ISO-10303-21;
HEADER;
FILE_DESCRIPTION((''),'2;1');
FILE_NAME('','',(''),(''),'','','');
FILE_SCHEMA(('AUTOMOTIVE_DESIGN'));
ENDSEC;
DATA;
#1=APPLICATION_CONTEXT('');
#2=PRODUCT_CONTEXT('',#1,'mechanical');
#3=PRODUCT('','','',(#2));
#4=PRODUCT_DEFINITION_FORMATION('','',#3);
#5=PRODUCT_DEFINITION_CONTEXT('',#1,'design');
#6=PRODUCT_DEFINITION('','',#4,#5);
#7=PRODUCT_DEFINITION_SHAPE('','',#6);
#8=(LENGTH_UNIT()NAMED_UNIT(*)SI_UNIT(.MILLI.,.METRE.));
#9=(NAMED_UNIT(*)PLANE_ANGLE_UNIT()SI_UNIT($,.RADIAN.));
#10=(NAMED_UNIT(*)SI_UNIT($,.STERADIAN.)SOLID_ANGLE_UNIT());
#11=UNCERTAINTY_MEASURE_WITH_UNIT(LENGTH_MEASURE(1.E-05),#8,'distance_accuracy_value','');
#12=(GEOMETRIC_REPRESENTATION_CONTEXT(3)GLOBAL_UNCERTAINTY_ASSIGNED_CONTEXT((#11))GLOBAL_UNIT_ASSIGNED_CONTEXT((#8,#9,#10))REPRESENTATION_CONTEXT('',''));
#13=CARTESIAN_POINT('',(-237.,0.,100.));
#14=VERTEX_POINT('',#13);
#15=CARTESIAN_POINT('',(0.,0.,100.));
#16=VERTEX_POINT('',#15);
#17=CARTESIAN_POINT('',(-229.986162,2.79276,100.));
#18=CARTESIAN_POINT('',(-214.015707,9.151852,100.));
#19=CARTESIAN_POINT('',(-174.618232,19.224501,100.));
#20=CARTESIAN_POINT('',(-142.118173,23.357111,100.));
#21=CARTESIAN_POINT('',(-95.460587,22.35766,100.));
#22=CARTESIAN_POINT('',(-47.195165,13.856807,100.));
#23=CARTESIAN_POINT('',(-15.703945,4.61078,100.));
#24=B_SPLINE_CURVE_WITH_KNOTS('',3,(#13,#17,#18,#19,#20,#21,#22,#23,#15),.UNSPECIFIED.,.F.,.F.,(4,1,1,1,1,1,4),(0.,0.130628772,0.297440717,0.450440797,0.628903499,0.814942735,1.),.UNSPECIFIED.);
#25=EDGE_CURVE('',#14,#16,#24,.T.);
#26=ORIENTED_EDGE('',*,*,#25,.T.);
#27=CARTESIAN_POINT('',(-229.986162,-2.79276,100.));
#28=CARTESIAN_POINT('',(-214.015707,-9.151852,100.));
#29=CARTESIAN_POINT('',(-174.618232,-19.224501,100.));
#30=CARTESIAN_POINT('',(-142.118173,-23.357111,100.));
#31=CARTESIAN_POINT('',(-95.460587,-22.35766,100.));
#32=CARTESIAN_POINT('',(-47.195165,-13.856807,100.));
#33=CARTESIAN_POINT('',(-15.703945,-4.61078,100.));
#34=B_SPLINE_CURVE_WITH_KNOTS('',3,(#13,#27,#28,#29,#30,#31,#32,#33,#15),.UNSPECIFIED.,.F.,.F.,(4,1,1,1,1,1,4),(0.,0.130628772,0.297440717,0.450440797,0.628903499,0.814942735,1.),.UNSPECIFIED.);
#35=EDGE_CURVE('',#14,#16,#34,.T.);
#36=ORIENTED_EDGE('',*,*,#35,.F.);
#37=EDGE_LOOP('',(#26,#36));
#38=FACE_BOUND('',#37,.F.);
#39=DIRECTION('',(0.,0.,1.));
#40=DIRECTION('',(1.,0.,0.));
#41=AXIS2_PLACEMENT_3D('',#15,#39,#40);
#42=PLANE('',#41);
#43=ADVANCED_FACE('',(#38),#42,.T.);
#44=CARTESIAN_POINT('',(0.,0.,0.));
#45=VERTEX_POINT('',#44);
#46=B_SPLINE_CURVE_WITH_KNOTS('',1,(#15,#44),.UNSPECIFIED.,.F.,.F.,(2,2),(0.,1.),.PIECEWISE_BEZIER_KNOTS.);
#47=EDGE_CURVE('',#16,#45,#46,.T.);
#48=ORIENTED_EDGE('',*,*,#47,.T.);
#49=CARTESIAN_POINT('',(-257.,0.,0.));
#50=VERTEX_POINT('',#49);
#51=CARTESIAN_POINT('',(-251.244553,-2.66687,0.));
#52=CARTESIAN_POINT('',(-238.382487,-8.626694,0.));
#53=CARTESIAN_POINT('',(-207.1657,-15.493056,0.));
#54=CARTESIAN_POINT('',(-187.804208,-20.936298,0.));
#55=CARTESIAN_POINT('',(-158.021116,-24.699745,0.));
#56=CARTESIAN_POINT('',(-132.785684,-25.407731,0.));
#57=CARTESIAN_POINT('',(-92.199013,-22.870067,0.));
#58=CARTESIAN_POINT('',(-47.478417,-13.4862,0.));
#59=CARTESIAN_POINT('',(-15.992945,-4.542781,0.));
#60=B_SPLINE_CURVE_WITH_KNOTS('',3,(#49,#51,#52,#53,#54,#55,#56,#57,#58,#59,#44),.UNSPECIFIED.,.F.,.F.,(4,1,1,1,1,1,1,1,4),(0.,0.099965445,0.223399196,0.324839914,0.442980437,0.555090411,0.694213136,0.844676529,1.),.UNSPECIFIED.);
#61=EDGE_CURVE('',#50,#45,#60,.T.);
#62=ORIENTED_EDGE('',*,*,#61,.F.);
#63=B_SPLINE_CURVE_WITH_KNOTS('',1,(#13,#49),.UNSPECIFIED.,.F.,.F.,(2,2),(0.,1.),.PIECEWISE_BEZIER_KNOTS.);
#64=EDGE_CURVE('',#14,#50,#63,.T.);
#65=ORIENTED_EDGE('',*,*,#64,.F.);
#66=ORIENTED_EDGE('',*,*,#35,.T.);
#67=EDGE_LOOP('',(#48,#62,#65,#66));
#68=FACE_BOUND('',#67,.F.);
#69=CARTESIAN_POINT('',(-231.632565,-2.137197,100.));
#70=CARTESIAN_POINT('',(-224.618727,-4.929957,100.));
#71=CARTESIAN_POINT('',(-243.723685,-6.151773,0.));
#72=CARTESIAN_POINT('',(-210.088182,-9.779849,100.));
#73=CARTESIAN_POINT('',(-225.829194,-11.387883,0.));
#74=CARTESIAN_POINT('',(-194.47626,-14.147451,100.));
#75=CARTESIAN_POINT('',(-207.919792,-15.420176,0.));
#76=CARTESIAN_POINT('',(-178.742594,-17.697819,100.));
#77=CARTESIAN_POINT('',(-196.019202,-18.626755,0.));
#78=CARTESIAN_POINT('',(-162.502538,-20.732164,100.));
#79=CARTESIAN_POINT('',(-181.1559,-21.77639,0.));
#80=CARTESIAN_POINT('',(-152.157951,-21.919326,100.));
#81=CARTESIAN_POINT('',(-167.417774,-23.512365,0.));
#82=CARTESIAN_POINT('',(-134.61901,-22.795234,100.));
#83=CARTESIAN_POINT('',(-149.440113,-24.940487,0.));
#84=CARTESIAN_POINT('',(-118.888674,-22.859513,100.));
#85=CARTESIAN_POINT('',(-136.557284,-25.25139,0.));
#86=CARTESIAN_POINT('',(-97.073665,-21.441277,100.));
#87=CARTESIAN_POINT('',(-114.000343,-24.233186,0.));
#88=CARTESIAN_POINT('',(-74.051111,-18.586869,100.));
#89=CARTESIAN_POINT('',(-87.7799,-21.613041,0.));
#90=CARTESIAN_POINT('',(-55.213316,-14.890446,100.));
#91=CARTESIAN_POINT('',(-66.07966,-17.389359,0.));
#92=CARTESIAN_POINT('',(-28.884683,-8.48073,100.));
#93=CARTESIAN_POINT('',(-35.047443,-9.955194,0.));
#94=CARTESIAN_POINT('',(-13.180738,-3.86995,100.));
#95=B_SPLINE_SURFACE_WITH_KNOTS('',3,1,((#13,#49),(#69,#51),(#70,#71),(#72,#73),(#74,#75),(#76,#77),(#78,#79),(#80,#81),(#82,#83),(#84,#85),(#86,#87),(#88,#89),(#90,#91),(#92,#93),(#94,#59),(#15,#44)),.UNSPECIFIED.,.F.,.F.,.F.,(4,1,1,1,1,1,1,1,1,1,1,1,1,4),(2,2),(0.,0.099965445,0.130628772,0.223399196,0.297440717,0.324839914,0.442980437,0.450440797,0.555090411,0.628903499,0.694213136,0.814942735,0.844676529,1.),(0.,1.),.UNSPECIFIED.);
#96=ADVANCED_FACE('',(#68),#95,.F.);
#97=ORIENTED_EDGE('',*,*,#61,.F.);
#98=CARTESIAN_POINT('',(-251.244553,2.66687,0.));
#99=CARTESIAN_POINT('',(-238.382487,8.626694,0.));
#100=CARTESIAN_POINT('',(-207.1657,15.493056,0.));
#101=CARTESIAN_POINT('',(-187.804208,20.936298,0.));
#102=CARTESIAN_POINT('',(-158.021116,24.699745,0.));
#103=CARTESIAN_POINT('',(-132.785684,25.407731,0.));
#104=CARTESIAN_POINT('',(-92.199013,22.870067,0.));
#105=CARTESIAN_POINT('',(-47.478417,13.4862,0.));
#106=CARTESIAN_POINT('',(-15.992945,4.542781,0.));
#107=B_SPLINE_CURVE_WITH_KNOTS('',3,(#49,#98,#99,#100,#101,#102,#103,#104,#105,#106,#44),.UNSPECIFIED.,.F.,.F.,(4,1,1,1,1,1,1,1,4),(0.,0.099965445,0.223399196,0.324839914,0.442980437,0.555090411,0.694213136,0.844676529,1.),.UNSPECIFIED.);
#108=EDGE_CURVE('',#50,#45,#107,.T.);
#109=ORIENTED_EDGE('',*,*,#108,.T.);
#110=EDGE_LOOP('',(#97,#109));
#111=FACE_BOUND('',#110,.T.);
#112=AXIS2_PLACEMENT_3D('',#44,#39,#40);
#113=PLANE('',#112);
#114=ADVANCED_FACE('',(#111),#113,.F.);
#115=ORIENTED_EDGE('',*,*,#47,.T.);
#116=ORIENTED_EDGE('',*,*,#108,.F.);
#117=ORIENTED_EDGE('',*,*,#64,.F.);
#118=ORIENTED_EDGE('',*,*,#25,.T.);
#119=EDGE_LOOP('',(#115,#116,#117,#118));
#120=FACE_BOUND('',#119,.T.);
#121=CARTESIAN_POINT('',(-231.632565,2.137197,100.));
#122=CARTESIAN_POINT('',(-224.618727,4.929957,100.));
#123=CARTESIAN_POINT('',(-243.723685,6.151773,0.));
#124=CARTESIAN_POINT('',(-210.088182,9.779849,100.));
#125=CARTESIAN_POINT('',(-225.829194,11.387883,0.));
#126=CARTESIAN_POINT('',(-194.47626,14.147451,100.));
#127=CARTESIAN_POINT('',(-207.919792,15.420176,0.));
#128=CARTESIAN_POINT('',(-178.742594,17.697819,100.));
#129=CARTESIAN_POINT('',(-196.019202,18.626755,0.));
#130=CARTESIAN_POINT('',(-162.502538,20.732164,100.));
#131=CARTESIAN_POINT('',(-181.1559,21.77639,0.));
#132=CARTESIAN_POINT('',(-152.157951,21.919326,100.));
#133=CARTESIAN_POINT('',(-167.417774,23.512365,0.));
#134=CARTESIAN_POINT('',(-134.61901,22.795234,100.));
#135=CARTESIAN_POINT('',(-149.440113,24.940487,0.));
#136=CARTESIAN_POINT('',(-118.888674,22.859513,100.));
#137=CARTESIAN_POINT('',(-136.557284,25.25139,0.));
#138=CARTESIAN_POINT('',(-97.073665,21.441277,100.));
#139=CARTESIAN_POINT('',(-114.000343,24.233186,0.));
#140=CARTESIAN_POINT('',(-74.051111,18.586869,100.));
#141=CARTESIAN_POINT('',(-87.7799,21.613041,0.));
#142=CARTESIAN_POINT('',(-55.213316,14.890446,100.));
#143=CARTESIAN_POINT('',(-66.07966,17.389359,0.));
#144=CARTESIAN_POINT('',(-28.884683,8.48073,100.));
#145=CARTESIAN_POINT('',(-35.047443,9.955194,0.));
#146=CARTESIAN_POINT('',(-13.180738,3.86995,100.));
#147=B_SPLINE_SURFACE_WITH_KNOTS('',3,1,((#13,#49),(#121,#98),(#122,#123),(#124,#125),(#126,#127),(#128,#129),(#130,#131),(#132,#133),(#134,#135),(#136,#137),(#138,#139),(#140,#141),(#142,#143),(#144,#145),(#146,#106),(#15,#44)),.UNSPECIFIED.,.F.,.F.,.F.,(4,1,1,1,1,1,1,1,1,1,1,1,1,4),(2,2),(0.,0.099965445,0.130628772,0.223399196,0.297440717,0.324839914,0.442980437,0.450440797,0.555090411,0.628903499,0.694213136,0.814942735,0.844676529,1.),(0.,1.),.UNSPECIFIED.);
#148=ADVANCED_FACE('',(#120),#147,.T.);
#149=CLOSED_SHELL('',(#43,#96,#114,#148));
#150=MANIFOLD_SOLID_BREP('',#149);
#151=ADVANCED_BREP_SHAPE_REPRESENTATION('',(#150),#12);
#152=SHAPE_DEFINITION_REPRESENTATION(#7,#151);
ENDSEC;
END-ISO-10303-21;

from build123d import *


with BuildPart() as f3:
    # F2 (on offset) → F3 section 0
    with BuildSketch(Plane.XY.offset(100)):
        with BuildLine():
            Line((0, 0), (-237, 0))
            add(Edge.make_bspline(
                [(-237, 0), (-229.9861621265, -2.7927597212), (-214.0157068792, -9.1518522679), (-174.6182320993, -19.2245011613), (-142.1181733774, -23.3571111993), (-95.4605869173, -22.3576600721), (-47.195165468, -13.8568066224), (-15.7039451761, -4.6107801373), (0, 0)],
                knots=[0, 0, 0, 0, 0.1306287725, 0.2974407168, 0.4504407971, 0.6289034989, 0.8149427347, 1, 1, 1, 1], degree=3))
        make_face()
    # F0 (on Top) → F3 section 1
    with BuildSketch(Plane.XY):
        with BuildLine():
            Line((0, 0), (-257, 0))
            add(Edge.make_bspline(
                [(-257, 0), (-251.2445532447, -2.6668696546), (-238.3824869907, -8.6266944338), (-207.1657004745, -15.4930558343), (-187.804207807, -20.936297627), (-158.0211159086, -24.6997447631), (-132.7856839479, -25.4077309542), (-92.1990133529, -22.8700672627), (-47.4784166277, -13.486200052), (-15.9929454963, -4.5427812826), (0, 0)],
                knots=[0, 0, 0, 0, 0.0999654451, 0.2233991961, 0.3248399138, 0.4429804375, 0.5550904112, 0.6942131357, 0.8446765293, 1, 1, 1, 1], degree=3))
        make_face()
    loft()

    # F4: F3 across plane


with BuildPart() as f3_1:
    add(f3.part)
    add(f3.part.mirror(Plane.XZ))


solid = f3_1.part
